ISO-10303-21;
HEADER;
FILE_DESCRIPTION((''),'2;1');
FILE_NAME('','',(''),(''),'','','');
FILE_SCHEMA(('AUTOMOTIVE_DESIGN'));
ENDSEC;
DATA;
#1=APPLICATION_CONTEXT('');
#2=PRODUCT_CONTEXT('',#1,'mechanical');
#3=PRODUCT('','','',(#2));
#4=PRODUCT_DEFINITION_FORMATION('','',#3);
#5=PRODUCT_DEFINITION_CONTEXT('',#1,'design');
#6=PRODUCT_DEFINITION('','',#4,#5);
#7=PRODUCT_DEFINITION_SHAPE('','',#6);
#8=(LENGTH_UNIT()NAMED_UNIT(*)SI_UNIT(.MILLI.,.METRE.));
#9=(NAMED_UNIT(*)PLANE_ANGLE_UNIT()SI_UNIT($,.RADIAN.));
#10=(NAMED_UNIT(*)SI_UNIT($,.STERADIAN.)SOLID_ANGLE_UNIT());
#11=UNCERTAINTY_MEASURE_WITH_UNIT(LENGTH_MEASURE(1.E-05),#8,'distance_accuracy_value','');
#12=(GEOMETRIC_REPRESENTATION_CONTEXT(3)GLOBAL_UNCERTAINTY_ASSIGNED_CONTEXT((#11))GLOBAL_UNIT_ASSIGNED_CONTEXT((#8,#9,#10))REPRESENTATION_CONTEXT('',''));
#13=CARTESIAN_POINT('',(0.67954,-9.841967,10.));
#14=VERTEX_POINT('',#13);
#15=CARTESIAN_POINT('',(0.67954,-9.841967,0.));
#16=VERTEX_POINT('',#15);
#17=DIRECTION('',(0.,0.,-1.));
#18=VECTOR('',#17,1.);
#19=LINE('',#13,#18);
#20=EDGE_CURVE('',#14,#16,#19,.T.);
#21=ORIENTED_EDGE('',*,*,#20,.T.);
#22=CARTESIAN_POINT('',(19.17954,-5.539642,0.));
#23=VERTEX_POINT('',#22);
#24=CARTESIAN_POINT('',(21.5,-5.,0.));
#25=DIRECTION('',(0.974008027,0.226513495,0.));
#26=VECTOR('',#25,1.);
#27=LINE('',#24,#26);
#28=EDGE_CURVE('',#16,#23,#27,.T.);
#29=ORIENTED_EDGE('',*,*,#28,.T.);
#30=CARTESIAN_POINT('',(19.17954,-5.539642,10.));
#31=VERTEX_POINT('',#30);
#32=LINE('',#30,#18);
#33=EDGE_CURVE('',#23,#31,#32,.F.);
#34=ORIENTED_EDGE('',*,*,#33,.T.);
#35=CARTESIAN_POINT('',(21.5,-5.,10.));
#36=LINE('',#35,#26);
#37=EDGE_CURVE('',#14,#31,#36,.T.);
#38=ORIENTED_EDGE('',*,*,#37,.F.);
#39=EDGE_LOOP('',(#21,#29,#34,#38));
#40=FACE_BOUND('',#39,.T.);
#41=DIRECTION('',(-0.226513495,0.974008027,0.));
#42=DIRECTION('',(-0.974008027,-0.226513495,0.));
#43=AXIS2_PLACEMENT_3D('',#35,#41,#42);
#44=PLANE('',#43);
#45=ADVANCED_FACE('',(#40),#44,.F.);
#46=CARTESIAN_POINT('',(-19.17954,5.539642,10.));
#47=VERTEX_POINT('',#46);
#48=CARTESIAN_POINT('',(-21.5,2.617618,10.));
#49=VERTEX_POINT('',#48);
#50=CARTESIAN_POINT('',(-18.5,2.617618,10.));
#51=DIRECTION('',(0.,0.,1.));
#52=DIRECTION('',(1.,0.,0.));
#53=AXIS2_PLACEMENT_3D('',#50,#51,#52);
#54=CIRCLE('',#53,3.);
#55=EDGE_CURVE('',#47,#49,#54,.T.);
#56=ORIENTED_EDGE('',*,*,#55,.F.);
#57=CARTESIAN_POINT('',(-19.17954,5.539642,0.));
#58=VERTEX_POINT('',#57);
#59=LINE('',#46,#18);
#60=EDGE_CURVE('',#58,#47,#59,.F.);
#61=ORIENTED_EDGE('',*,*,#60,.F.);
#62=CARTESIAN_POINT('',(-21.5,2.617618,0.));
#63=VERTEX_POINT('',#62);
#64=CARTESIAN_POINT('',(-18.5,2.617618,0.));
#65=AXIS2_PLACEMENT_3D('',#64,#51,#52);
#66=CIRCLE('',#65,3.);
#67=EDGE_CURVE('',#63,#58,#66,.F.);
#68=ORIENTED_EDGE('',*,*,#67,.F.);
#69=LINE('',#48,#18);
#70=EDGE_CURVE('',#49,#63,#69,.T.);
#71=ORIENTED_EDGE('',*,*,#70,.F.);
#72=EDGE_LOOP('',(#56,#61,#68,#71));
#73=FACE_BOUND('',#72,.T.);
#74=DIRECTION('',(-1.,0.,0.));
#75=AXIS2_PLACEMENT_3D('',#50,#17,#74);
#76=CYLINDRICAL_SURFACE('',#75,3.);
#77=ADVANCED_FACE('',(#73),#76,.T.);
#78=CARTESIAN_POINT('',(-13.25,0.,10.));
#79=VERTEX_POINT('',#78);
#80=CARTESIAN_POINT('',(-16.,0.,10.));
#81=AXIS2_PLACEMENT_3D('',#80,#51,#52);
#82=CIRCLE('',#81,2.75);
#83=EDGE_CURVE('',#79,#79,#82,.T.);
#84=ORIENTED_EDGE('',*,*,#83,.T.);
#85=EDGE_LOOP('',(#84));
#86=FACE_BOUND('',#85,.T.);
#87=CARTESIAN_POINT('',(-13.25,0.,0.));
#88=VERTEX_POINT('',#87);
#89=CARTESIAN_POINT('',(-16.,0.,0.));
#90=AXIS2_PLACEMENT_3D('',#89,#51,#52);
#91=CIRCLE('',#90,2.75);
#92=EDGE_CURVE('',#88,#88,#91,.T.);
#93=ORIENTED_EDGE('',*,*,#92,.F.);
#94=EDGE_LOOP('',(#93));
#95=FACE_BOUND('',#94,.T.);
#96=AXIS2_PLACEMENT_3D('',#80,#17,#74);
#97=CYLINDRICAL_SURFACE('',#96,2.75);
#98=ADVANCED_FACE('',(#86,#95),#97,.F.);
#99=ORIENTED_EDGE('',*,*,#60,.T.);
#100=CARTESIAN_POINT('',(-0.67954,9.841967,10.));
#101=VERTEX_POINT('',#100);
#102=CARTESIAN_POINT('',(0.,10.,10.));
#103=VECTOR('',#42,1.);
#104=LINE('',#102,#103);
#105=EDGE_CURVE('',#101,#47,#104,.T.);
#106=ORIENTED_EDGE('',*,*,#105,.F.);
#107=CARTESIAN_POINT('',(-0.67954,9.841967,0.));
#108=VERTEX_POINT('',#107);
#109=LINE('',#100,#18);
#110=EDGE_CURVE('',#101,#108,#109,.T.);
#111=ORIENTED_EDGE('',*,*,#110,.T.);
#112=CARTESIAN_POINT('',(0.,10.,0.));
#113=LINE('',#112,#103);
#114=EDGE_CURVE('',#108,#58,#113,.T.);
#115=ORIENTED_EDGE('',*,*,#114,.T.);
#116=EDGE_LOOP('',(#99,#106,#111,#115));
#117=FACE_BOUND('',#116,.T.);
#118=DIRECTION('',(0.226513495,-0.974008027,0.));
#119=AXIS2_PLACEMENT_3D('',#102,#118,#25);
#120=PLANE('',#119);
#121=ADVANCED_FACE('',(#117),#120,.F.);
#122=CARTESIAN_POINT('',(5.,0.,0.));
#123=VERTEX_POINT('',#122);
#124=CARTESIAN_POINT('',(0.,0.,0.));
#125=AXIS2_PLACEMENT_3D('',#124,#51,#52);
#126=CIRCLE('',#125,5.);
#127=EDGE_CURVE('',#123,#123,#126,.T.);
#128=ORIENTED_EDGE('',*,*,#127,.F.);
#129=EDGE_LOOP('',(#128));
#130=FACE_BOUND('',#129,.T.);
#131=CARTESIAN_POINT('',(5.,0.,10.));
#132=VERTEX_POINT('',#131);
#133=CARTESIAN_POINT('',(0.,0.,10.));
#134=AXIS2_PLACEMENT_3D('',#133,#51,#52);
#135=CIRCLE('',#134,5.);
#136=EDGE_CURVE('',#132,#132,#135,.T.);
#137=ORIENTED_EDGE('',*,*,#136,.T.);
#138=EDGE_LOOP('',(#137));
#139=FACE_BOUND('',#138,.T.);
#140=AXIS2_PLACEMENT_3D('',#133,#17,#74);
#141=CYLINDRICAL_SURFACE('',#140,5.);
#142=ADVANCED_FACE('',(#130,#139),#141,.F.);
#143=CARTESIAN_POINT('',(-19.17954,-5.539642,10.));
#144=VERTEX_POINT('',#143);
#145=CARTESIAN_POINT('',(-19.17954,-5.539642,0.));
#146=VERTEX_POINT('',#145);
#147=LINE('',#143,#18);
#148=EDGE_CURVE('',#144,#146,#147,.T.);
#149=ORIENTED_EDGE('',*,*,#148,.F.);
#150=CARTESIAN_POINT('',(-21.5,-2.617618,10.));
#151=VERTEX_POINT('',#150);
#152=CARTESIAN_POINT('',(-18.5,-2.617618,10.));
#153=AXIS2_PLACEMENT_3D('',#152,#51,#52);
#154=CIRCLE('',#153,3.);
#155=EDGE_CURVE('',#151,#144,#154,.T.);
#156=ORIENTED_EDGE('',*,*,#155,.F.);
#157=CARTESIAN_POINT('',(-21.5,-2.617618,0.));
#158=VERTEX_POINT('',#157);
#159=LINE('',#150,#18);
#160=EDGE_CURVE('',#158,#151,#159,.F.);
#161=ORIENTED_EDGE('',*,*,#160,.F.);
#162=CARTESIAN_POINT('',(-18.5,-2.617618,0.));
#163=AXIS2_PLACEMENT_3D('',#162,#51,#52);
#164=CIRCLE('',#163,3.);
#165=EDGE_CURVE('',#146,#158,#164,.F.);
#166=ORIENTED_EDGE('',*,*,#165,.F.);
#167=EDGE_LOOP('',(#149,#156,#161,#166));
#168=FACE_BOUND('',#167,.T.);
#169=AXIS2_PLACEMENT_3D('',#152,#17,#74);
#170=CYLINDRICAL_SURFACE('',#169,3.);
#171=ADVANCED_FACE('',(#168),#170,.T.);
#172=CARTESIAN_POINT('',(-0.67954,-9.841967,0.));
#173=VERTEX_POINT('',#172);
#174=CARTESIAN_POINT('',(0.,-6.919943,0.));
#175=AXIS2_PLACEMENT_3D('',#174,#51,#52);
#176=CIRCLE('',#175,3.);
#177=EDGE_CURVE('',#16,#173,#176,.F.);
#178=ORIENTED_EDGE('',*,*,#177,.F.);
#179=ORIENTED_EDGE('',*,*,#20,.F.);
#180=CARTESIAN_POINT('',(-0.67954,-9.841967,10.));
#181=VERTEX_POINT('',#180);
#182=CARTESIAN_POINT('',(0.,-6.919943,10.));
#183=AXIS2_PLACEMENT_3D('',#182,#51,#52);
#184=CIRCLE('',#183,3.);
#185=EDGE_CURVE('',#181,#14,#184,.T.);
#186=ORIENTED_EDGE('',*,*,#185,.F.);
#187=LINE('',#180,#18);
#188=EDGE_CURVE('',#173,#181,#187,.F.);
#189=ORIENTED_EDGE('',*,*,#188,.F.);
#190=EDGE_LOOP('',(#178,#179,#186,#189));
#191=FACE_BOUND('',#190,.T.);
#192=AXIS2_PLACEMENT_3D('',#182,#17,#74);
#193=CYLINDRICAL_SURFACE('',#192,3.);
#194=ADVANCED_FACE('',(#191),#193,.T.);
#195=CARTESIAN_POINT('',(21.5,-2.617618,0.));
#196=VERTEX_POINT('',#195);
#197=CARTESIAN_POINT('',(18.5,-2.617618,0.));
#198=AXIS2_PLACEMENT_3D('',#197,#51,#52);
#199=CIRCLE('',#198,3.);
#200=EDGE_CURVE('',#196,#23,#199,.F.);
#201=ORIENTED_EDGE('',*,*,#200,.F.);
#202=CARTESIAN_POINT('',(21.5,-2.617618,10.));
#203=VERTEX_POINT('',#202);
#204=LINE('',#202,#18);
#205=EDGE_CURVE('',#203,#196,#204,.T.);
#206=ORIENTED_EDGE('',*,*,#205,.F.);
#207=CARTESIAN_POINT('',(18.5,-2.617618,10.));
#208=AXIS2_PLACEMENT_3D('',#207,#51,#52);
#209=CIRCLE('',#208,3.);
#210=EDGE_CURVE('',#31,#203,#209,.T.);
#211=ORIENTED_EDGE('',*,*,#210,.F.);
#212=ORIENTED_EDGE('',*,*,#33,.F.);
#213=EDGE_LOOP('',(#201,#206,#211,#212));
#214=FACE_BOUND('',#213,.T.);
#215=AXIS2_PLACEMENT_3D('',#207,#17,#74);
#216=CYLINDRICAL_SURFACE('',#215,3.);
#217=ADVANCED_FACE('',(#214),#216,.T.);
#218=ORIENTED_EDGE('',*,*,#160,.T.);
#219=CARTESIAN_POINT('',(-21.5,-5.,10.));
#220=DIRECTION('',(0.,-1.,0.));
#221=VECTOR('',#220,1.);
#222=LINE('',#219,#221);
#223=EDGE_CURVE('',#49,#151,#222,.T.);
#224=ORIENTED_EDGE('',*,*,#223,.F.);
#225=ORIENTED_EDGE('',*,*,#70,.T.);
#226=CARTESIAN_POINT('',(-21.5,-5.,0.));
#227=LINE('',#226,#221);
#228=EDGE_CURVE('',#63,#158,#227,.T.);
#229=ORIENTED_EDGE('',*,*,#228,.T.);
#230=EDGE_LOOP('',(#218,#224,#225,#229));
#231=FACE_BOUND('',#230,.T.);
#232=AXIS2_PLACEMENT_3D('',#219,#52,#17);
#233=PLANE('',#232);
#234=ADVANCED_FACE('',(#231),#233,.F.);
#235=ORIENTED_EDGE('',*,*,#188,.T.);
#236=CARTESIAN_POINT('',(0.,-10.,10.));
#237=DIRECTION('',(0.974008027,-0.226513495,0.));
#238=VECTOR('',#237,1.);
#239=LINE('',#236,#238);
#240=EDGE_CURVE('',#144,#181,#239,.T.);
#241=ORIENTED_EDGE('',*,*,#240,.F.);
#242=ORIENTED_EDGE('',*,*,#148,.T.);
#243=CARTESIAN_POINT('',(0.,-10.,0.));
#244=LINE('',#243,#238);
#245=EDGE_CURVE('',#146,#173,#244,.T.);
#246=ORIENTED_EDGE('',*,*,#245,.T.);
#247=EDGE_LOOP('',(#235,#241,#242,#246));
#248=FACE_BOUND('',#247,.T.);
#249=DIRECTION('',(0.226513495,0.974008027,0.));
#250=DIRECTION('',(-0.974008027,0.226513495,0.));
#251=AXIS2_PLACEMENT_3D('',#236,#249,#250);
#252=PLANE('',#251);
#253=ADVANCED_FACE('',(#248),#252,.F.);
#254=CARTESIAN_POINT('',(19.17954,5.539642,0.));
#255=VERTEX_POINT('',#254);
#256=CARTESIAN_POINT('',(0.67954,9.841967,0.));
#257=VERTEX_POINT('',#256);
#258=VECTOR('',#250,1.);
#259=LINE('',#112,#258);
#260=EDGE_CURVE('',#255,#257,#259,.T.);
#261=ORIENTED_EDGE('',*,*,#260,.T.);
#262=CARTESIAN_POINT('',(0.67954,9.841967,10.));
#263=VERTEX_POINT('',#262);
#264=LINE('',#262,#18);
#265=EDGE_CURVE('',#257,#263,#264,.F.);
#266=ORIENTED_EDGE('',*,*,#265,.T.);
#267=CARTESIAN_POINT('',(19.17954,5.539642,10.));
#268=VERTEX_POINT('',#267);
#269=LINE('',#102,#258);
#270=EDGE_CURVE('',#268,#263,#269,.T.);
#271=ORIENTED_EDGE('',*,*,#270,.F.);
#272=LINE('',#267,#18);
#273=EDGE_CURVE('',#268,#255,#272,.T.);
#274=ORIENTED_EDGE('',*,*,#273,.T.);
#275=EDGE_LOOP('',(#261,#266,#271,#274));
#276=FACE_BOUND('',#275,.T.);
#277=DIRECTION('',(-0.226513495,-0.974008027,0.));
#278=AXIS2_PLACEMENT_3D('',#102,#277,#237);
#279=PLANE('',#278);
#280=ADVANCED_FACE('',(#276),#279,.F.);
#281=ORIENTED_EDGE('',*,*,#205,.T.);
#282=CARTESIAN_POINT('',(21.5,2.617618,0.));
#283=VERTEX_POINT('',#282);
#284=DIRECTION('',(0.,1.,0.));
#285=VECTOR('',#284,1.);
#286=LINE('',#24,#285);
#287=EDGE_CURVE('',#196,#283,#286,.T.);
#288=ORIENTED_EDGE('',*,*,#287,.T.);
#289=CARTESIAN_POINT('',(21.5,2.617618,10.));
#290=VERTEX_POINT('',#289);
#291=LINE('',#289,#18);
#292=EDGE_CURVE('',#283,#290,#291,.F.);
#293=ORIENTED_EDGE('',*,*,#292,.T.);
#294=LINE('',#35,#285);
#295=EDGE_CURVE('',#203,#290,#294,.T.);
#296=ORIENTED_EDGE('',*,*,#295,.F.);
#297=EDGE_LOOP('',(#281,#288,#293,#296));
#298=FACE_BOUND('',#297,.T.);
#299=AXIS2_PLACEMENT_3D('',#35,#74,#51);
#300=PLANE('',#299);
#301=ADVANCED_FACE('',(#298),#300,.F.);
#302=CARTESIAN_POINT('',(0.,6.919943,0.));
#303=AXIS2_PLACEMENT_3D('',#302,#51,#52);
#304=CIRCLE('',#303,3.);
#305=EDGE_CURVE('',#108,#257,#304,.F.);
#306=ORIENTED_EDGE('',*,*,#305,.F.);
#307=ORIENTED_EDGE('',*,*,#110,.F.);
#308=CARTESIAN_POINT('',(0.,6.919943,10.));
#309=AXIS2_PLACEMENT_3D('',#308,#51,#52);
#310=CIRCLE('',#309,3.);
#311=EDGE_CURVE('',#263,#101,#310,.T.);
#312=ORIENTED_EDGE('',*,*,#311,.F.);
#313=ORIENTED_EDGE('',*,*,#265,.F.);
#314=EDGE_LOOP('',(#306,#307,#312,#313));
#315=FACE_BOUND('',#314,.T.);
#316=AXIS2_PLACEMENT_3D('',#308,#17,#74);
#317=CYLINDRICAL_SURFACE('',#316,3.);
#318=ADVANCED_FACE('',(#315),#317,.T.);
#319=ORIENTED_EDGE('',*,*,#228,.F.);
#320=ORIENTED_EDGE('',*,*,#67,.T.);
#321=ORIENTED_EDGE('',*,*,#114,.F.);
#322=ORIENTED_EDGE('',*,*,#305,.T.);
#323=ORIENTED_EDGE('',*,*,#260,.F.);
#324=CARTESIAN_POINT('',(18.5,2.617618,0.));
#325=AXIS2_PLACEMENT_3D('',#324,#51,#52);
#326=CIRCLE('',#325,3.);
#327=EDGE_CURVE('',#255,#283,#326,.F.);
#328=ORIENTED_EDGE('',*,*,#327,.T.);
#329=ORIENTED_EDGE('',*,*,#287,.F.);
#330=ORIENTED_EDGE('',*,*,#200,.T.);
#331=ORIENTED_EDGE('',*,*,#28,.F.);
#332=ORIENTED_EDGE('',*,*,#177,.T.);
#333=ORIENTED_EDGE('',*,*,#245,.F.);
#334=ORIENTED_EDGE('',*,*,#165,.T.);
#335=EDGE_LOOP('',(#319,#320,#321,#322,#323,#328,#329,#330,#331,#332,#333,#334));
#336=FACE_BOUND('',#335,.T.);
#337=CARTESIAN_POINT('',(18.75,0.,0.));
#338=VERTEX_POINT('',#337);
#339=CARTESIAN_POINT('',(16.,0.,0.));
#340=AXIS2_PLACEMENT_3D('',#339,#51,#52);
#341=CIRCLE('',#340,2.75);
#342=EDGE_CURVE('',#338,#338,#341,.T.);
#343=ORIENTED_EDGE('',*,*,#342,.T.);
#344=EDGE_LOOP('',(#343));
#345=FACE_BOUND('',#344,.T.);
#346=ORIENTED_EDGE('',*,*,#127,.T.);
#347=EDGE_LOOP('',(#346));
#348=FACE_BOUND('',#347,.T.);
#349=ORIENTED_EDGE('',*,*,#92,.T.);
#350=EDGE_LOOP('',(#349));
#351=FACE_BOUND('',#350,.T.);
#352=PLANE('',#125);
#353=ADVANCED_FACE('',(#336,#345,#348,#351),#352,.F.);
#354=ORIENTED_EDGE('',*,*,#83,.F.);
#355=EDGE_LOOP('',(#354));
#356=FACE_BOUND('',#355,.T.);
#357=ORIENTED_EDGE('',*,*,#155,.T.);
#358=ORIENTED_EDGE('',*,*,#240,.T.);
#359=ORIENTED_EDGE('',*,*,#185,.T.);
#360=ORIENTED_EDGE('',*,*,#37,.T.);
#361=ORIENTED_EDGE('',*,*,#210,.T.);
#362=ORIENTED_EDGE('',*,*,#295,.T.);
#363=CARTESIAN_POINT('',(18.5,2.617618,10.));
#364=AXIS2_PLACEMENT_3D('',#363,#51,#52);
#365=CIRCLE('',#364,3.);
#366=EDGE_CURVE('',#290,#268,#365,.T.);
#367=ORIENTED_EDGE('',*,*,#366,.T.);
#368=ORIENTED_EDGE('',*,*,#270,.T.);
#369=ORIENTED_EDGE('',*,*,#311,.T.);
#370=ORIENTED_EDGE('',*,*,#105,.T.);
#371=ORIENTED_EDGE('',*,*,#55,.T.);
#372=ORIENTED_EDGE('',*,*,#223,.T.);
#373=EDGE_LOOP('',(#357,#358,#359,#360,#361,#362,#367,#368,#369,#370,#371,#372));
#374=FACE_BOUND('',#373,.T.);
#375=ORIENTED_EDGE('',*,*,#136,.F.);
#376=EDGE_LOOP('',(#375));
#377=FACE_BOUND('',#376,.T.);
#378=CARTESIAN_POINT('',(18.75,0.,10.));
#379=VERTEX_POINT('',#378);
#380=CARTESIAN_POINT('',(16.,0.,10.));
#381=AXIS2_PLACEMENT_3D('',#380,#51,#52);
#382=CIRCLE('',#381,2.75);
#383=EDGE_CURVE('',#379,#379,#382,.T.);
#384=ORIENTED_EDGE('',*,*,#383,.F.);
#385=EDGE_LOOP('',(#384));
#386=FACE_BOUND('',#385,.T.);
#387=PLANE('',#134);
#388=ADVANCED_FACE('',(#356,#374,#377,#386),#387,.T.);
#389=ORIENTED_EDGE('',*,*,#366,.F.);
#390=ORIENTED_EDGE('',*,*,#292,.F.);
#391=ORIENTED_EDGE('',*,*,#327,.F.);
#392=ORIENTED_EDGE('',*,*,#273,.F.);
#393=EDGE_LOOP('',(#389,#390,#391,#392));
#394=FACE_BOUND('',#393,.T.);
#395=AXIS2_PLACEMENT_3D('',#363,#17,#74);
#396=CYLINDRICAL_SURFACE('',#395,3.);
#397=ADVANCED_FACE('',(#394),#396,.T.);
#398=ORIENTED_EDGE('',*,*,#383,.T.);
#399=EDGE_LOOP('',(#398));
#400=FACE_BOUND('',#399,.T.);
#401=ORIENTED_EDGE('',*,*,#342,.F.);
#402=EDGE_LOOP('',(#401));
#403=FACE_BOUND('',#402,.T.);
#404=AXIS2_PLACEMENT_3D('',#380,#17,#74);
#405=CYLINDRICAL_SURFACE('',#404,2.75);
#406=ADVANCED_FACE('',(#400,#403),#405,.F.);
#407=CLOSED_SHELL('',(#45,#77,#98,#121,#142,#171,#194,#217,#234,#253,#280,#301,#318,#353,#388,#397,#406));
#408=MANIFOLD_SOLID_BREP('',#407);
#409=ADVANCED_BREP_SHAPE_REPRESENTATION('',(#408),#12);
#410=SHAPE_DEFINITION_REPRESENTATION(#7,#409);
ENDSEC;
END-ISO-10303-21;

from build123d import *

# Parameters (mm, degrees)
SKETCH1_R           = 5
SKETCH1_R_2         = 2.75
BOSS_EXTRUDE1_DEPTH = 10
FILLET1_R           = 3


with BuildPart() as part:
    # Sketch1 → Boss-Extrude1 (new body)
    with BuildSketch(Plane.XY):
        Polygon((-21.5, -5), (-21.5, 5), (0, 10), (21.5, 5), (21.5, -5), (0, -10), align=None)
        Circle(SKETCH1_R, mode=Mode.SUBTRACT)
        with Locations((-16, 0)):
            Circle(SKETCH1_R_2, mode=Mode.SUBTRACT)
        with Locations((16, 0)):
            Circle(SKETCH1_R_2, mode=Mode.SUBTRACT)
    extrude(amount=BOSS_EXTRUDE1_DEPTH)

    # Fillet1
    fillet1_edges = [part.edges().sort_by_distance(p)[0] for p in [
        (21.5, 5, 5),
        (21.5, -5, 5),
        (0, -10, 5),
        (-21.5, -5, 5),
        (-21.5, 5, 5),
        (0, 10, 5),
    ]]
    fillet(fillet1_edges, radius=FILLET1_R)


solid = part.part
